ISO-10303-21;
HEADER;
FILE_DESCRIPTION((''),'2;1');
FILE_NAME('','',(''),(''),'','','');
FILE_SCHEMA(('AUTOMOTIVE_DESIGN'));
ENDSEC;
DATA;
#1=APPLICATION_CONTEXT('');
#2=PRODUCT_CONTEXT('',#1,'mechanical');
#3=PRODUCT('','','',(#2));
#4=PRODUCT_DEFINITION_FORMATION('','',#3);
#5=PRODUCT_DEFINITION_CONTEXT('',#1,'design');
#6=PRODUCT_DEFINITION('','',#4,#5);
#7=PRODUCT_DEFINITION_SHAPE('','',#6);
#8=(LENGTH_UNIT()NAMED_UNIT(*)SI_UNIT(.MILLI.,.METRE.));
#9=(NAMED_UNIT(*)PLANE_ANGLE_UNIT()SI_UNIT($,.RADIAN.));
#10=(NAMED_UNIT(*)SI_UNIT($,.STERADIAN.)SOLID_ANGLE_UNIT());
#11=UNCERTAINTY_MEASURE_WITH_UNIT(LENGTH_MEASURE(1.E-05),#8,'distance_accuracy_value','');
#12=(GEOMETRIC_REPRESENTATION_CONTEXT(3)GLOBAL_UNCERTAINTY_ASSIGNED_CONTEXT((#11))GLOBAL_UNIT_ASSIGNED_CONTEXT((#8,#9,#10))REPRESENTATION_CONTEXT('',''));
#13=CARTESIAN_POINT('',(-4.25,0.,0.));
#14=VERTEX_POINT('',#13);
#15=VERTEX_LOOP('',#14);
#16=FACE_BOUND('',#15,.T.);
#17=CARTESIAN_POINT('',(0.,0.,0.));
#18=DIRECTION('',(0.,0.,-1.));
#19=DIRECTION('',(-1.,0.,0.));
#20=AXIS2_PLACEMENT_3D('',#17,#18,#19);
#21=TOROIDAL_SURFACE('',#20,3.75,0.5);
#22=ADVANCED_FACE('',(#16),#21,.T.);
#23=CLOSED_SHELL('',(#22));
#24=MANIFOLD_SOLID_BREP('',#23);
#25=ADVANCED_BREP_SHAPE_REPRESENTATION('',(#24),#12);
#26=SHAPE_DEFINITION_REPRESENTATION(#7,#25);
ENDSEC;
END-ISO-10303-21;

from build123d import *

# Parameters (mm, degrees)
SKETCH2_R = 0.5


with BuildPart() as part:
    # Sketch2 → Revolve1 (revolve)
    with BuildSketch(Plane(origin=(0, 0, 0), x_dir=(1, 0, 0), z_dir=(0, 1, 0))):
        with Locations((3.75, 0)):
            Circle(SKETCH2_R)
    revolve(axis=Axis((0, 0, -0.5), (0, 0, 1)))


solid = part.part
